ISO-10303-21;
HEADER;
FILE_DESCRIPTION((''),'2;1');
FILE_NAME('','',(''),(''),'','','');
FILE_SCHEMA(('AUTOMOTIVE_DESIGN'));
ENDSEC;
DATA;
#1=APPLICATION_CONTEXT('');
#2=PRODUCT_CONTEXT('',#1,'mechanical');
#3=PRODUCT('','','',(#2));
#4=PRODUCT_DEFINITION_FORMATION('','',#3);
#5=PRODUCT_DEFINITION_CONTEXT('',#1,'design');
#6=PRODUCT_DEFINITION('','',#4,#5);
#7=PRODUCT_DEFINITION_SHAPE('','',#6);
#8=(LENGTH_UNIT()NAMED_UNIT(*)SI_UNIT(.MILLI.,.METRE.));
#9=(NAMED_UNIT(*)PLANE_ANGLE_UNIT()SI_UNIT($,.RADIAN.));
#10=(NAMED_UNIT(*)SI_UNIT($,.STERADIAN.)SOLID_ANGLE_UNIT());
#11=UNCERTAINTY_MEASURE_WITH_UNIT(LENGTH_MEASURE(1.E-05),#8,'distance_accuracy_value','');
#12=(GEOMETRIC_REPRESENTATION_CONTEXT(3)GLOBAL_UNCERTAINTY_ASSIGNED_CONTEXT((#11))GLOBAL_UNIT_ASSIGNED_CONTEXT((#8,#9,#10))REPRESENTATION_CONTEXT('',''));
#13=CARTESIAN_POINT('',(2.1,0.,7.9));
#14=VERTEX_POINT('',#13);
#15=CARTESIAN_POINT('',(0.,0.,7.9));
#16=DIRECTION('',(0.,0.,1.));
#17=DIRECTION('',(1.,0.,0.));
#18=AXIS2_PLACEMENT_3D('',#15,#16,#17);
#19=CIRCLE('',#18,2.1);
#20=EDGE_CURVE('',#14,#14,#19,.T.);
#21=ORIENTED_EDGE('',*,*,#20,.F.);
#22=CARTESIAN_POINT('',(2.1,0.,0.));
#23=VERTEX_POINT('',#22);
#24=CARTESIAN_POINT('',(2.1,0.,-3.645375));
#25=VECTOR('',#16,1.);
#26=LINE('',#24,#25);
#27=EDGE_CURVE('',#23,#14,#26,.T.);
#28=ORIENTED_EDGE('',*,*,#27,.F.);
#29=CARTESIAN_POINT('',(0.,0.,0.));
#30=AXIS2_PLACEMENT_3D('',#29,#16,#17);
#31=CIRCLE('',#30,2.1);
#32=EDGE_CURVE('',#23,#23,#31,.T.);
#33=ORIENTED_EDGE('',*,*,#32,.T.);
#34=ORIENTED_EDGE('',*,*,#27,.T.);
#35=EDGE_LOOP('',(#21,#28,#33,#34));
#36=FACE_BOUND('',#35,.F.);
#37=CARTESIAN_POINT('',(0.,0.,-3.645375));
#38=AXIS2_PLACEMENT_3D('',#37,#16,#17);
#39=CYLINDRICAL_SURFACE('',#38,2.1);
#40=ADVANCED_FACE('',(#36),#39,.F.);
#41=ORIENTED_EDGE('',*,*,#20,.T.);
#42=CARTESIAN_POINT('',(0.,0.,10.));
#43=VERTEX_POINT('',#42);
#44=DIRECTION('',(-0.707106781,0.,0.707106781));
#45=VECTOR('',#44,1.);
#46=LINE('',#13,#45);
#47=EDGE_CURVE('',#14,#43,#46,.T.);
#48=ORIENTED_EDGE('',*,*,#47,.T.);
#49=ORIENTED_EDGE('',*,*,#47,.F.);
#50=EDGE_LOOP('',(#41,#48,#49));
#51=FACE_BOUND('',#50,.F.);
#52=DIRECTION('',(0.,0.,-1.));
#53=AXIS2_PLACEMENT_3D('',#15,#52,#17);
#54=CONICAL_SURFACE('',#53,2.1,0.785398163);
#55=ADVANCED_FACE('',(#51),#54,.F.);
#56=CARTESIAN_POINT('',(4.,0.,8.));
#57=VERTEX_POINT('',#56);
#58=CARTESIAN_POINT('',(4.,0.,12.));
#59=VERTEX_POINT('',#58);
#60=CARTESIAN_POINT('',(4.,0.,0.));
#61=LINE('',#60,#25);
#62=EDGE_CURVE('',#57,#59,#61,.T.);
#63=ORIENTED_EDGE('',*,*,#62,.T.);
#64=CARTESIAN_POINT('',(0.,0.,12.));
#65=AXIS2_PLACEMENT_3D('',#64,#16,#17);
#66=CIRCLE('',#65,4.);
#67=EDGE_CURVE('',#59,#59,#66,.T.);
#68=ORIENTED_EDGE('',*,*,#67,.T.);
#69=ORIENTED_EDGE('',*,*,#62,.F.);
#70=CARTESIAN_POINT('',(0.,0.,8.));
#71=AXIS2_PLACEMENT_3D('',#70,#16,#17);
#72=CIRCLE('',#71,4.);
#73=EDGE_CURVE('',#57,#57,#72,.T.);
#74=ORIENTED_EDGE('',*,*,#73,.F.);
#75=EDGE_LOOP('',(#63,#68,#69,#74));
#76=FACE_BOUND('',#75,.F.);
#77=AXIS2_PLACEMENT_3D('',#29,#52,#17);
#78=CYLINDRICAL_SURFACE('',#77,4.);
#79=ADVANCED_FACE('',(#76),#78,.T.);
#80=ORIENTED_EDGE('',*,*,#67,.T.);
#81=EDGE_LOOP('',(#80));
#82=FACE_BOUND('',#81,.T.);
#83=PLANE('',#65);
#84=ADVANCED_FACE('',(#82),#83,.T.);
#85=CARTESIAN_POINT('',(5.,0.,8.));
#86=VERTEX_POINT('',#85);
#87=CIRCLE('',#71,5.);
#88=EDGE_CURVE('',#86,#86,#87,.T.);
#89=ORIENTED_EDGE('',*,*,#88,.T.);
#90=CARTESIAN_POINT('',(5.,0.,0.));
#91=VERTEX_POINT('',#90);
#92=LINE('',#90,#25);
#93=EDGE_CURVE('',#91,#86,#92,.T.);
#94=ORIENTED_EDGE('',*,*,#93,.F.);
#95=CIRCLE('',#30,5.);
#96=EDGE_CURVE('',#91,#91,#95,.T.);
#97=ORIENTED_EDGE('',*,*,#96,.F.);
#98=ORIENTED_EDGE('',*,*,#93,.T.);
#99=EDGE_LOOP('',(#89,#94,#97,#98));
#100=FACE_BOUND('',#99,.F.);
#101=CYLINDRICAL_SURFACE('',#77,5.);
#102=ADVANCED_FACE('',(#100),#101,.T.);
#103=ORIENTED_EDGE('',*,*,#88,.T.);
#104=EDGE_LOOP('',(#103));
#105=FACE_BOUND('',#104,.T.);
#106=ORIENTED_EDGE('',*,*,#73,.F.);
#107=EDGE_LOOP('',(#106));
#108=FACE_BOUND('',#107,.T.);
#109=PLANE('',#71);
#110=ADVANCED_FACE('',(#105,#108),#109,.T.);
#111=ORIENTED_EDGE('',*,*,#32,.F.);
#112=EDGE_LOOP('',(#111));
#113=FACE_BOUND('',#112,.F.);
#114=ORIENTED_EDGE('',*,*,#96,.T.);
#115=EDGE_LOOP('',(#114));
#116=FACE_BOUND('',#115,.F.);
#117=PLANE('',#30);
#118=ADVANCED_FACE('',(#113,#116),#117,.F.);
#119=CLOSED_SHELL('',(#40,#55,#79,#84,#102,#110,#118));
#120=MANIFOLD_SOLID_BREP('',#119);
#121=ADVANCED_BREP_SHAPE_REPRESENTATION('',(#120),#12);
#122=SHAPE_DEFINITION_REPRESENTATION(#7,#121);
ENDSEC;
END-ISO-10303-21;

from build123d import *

# Parameters (mm, degrees)
F0_R     = 5
F0_R_2   = 4
F1_DEPTH = 8
F2_DEPTH = 12


with BuildPart() as f1:
    # F0 (on Top) → F1 (new body)
    with BuildSketch(Plane.XY):
        Circle(F0_R)
        Circle(F0_R_2, mode=Mode.SUBTRACT)
    extrude(amount=F1_DEPTH)

    # F0 (on Top) → F2 (join)
    with BuildSketch(Plane.XY):
        Circle(F0_R_2)
    extrude(amount=F2_DEPTH)

    # F3 (on Front) → F4 (revolve, cut)
    with BuildSketch(Plane.XZ):
        Polygon((2.1, -3.645375), (2.1, 0), (2.1, 7.9), (0, 10), (0, -3.645375), align=None)
    revolve(axis=Axis((0, 0, 3.177312), (0, 0, 1)), mode=Mode.SUBTRACT)


solid = f1.part
